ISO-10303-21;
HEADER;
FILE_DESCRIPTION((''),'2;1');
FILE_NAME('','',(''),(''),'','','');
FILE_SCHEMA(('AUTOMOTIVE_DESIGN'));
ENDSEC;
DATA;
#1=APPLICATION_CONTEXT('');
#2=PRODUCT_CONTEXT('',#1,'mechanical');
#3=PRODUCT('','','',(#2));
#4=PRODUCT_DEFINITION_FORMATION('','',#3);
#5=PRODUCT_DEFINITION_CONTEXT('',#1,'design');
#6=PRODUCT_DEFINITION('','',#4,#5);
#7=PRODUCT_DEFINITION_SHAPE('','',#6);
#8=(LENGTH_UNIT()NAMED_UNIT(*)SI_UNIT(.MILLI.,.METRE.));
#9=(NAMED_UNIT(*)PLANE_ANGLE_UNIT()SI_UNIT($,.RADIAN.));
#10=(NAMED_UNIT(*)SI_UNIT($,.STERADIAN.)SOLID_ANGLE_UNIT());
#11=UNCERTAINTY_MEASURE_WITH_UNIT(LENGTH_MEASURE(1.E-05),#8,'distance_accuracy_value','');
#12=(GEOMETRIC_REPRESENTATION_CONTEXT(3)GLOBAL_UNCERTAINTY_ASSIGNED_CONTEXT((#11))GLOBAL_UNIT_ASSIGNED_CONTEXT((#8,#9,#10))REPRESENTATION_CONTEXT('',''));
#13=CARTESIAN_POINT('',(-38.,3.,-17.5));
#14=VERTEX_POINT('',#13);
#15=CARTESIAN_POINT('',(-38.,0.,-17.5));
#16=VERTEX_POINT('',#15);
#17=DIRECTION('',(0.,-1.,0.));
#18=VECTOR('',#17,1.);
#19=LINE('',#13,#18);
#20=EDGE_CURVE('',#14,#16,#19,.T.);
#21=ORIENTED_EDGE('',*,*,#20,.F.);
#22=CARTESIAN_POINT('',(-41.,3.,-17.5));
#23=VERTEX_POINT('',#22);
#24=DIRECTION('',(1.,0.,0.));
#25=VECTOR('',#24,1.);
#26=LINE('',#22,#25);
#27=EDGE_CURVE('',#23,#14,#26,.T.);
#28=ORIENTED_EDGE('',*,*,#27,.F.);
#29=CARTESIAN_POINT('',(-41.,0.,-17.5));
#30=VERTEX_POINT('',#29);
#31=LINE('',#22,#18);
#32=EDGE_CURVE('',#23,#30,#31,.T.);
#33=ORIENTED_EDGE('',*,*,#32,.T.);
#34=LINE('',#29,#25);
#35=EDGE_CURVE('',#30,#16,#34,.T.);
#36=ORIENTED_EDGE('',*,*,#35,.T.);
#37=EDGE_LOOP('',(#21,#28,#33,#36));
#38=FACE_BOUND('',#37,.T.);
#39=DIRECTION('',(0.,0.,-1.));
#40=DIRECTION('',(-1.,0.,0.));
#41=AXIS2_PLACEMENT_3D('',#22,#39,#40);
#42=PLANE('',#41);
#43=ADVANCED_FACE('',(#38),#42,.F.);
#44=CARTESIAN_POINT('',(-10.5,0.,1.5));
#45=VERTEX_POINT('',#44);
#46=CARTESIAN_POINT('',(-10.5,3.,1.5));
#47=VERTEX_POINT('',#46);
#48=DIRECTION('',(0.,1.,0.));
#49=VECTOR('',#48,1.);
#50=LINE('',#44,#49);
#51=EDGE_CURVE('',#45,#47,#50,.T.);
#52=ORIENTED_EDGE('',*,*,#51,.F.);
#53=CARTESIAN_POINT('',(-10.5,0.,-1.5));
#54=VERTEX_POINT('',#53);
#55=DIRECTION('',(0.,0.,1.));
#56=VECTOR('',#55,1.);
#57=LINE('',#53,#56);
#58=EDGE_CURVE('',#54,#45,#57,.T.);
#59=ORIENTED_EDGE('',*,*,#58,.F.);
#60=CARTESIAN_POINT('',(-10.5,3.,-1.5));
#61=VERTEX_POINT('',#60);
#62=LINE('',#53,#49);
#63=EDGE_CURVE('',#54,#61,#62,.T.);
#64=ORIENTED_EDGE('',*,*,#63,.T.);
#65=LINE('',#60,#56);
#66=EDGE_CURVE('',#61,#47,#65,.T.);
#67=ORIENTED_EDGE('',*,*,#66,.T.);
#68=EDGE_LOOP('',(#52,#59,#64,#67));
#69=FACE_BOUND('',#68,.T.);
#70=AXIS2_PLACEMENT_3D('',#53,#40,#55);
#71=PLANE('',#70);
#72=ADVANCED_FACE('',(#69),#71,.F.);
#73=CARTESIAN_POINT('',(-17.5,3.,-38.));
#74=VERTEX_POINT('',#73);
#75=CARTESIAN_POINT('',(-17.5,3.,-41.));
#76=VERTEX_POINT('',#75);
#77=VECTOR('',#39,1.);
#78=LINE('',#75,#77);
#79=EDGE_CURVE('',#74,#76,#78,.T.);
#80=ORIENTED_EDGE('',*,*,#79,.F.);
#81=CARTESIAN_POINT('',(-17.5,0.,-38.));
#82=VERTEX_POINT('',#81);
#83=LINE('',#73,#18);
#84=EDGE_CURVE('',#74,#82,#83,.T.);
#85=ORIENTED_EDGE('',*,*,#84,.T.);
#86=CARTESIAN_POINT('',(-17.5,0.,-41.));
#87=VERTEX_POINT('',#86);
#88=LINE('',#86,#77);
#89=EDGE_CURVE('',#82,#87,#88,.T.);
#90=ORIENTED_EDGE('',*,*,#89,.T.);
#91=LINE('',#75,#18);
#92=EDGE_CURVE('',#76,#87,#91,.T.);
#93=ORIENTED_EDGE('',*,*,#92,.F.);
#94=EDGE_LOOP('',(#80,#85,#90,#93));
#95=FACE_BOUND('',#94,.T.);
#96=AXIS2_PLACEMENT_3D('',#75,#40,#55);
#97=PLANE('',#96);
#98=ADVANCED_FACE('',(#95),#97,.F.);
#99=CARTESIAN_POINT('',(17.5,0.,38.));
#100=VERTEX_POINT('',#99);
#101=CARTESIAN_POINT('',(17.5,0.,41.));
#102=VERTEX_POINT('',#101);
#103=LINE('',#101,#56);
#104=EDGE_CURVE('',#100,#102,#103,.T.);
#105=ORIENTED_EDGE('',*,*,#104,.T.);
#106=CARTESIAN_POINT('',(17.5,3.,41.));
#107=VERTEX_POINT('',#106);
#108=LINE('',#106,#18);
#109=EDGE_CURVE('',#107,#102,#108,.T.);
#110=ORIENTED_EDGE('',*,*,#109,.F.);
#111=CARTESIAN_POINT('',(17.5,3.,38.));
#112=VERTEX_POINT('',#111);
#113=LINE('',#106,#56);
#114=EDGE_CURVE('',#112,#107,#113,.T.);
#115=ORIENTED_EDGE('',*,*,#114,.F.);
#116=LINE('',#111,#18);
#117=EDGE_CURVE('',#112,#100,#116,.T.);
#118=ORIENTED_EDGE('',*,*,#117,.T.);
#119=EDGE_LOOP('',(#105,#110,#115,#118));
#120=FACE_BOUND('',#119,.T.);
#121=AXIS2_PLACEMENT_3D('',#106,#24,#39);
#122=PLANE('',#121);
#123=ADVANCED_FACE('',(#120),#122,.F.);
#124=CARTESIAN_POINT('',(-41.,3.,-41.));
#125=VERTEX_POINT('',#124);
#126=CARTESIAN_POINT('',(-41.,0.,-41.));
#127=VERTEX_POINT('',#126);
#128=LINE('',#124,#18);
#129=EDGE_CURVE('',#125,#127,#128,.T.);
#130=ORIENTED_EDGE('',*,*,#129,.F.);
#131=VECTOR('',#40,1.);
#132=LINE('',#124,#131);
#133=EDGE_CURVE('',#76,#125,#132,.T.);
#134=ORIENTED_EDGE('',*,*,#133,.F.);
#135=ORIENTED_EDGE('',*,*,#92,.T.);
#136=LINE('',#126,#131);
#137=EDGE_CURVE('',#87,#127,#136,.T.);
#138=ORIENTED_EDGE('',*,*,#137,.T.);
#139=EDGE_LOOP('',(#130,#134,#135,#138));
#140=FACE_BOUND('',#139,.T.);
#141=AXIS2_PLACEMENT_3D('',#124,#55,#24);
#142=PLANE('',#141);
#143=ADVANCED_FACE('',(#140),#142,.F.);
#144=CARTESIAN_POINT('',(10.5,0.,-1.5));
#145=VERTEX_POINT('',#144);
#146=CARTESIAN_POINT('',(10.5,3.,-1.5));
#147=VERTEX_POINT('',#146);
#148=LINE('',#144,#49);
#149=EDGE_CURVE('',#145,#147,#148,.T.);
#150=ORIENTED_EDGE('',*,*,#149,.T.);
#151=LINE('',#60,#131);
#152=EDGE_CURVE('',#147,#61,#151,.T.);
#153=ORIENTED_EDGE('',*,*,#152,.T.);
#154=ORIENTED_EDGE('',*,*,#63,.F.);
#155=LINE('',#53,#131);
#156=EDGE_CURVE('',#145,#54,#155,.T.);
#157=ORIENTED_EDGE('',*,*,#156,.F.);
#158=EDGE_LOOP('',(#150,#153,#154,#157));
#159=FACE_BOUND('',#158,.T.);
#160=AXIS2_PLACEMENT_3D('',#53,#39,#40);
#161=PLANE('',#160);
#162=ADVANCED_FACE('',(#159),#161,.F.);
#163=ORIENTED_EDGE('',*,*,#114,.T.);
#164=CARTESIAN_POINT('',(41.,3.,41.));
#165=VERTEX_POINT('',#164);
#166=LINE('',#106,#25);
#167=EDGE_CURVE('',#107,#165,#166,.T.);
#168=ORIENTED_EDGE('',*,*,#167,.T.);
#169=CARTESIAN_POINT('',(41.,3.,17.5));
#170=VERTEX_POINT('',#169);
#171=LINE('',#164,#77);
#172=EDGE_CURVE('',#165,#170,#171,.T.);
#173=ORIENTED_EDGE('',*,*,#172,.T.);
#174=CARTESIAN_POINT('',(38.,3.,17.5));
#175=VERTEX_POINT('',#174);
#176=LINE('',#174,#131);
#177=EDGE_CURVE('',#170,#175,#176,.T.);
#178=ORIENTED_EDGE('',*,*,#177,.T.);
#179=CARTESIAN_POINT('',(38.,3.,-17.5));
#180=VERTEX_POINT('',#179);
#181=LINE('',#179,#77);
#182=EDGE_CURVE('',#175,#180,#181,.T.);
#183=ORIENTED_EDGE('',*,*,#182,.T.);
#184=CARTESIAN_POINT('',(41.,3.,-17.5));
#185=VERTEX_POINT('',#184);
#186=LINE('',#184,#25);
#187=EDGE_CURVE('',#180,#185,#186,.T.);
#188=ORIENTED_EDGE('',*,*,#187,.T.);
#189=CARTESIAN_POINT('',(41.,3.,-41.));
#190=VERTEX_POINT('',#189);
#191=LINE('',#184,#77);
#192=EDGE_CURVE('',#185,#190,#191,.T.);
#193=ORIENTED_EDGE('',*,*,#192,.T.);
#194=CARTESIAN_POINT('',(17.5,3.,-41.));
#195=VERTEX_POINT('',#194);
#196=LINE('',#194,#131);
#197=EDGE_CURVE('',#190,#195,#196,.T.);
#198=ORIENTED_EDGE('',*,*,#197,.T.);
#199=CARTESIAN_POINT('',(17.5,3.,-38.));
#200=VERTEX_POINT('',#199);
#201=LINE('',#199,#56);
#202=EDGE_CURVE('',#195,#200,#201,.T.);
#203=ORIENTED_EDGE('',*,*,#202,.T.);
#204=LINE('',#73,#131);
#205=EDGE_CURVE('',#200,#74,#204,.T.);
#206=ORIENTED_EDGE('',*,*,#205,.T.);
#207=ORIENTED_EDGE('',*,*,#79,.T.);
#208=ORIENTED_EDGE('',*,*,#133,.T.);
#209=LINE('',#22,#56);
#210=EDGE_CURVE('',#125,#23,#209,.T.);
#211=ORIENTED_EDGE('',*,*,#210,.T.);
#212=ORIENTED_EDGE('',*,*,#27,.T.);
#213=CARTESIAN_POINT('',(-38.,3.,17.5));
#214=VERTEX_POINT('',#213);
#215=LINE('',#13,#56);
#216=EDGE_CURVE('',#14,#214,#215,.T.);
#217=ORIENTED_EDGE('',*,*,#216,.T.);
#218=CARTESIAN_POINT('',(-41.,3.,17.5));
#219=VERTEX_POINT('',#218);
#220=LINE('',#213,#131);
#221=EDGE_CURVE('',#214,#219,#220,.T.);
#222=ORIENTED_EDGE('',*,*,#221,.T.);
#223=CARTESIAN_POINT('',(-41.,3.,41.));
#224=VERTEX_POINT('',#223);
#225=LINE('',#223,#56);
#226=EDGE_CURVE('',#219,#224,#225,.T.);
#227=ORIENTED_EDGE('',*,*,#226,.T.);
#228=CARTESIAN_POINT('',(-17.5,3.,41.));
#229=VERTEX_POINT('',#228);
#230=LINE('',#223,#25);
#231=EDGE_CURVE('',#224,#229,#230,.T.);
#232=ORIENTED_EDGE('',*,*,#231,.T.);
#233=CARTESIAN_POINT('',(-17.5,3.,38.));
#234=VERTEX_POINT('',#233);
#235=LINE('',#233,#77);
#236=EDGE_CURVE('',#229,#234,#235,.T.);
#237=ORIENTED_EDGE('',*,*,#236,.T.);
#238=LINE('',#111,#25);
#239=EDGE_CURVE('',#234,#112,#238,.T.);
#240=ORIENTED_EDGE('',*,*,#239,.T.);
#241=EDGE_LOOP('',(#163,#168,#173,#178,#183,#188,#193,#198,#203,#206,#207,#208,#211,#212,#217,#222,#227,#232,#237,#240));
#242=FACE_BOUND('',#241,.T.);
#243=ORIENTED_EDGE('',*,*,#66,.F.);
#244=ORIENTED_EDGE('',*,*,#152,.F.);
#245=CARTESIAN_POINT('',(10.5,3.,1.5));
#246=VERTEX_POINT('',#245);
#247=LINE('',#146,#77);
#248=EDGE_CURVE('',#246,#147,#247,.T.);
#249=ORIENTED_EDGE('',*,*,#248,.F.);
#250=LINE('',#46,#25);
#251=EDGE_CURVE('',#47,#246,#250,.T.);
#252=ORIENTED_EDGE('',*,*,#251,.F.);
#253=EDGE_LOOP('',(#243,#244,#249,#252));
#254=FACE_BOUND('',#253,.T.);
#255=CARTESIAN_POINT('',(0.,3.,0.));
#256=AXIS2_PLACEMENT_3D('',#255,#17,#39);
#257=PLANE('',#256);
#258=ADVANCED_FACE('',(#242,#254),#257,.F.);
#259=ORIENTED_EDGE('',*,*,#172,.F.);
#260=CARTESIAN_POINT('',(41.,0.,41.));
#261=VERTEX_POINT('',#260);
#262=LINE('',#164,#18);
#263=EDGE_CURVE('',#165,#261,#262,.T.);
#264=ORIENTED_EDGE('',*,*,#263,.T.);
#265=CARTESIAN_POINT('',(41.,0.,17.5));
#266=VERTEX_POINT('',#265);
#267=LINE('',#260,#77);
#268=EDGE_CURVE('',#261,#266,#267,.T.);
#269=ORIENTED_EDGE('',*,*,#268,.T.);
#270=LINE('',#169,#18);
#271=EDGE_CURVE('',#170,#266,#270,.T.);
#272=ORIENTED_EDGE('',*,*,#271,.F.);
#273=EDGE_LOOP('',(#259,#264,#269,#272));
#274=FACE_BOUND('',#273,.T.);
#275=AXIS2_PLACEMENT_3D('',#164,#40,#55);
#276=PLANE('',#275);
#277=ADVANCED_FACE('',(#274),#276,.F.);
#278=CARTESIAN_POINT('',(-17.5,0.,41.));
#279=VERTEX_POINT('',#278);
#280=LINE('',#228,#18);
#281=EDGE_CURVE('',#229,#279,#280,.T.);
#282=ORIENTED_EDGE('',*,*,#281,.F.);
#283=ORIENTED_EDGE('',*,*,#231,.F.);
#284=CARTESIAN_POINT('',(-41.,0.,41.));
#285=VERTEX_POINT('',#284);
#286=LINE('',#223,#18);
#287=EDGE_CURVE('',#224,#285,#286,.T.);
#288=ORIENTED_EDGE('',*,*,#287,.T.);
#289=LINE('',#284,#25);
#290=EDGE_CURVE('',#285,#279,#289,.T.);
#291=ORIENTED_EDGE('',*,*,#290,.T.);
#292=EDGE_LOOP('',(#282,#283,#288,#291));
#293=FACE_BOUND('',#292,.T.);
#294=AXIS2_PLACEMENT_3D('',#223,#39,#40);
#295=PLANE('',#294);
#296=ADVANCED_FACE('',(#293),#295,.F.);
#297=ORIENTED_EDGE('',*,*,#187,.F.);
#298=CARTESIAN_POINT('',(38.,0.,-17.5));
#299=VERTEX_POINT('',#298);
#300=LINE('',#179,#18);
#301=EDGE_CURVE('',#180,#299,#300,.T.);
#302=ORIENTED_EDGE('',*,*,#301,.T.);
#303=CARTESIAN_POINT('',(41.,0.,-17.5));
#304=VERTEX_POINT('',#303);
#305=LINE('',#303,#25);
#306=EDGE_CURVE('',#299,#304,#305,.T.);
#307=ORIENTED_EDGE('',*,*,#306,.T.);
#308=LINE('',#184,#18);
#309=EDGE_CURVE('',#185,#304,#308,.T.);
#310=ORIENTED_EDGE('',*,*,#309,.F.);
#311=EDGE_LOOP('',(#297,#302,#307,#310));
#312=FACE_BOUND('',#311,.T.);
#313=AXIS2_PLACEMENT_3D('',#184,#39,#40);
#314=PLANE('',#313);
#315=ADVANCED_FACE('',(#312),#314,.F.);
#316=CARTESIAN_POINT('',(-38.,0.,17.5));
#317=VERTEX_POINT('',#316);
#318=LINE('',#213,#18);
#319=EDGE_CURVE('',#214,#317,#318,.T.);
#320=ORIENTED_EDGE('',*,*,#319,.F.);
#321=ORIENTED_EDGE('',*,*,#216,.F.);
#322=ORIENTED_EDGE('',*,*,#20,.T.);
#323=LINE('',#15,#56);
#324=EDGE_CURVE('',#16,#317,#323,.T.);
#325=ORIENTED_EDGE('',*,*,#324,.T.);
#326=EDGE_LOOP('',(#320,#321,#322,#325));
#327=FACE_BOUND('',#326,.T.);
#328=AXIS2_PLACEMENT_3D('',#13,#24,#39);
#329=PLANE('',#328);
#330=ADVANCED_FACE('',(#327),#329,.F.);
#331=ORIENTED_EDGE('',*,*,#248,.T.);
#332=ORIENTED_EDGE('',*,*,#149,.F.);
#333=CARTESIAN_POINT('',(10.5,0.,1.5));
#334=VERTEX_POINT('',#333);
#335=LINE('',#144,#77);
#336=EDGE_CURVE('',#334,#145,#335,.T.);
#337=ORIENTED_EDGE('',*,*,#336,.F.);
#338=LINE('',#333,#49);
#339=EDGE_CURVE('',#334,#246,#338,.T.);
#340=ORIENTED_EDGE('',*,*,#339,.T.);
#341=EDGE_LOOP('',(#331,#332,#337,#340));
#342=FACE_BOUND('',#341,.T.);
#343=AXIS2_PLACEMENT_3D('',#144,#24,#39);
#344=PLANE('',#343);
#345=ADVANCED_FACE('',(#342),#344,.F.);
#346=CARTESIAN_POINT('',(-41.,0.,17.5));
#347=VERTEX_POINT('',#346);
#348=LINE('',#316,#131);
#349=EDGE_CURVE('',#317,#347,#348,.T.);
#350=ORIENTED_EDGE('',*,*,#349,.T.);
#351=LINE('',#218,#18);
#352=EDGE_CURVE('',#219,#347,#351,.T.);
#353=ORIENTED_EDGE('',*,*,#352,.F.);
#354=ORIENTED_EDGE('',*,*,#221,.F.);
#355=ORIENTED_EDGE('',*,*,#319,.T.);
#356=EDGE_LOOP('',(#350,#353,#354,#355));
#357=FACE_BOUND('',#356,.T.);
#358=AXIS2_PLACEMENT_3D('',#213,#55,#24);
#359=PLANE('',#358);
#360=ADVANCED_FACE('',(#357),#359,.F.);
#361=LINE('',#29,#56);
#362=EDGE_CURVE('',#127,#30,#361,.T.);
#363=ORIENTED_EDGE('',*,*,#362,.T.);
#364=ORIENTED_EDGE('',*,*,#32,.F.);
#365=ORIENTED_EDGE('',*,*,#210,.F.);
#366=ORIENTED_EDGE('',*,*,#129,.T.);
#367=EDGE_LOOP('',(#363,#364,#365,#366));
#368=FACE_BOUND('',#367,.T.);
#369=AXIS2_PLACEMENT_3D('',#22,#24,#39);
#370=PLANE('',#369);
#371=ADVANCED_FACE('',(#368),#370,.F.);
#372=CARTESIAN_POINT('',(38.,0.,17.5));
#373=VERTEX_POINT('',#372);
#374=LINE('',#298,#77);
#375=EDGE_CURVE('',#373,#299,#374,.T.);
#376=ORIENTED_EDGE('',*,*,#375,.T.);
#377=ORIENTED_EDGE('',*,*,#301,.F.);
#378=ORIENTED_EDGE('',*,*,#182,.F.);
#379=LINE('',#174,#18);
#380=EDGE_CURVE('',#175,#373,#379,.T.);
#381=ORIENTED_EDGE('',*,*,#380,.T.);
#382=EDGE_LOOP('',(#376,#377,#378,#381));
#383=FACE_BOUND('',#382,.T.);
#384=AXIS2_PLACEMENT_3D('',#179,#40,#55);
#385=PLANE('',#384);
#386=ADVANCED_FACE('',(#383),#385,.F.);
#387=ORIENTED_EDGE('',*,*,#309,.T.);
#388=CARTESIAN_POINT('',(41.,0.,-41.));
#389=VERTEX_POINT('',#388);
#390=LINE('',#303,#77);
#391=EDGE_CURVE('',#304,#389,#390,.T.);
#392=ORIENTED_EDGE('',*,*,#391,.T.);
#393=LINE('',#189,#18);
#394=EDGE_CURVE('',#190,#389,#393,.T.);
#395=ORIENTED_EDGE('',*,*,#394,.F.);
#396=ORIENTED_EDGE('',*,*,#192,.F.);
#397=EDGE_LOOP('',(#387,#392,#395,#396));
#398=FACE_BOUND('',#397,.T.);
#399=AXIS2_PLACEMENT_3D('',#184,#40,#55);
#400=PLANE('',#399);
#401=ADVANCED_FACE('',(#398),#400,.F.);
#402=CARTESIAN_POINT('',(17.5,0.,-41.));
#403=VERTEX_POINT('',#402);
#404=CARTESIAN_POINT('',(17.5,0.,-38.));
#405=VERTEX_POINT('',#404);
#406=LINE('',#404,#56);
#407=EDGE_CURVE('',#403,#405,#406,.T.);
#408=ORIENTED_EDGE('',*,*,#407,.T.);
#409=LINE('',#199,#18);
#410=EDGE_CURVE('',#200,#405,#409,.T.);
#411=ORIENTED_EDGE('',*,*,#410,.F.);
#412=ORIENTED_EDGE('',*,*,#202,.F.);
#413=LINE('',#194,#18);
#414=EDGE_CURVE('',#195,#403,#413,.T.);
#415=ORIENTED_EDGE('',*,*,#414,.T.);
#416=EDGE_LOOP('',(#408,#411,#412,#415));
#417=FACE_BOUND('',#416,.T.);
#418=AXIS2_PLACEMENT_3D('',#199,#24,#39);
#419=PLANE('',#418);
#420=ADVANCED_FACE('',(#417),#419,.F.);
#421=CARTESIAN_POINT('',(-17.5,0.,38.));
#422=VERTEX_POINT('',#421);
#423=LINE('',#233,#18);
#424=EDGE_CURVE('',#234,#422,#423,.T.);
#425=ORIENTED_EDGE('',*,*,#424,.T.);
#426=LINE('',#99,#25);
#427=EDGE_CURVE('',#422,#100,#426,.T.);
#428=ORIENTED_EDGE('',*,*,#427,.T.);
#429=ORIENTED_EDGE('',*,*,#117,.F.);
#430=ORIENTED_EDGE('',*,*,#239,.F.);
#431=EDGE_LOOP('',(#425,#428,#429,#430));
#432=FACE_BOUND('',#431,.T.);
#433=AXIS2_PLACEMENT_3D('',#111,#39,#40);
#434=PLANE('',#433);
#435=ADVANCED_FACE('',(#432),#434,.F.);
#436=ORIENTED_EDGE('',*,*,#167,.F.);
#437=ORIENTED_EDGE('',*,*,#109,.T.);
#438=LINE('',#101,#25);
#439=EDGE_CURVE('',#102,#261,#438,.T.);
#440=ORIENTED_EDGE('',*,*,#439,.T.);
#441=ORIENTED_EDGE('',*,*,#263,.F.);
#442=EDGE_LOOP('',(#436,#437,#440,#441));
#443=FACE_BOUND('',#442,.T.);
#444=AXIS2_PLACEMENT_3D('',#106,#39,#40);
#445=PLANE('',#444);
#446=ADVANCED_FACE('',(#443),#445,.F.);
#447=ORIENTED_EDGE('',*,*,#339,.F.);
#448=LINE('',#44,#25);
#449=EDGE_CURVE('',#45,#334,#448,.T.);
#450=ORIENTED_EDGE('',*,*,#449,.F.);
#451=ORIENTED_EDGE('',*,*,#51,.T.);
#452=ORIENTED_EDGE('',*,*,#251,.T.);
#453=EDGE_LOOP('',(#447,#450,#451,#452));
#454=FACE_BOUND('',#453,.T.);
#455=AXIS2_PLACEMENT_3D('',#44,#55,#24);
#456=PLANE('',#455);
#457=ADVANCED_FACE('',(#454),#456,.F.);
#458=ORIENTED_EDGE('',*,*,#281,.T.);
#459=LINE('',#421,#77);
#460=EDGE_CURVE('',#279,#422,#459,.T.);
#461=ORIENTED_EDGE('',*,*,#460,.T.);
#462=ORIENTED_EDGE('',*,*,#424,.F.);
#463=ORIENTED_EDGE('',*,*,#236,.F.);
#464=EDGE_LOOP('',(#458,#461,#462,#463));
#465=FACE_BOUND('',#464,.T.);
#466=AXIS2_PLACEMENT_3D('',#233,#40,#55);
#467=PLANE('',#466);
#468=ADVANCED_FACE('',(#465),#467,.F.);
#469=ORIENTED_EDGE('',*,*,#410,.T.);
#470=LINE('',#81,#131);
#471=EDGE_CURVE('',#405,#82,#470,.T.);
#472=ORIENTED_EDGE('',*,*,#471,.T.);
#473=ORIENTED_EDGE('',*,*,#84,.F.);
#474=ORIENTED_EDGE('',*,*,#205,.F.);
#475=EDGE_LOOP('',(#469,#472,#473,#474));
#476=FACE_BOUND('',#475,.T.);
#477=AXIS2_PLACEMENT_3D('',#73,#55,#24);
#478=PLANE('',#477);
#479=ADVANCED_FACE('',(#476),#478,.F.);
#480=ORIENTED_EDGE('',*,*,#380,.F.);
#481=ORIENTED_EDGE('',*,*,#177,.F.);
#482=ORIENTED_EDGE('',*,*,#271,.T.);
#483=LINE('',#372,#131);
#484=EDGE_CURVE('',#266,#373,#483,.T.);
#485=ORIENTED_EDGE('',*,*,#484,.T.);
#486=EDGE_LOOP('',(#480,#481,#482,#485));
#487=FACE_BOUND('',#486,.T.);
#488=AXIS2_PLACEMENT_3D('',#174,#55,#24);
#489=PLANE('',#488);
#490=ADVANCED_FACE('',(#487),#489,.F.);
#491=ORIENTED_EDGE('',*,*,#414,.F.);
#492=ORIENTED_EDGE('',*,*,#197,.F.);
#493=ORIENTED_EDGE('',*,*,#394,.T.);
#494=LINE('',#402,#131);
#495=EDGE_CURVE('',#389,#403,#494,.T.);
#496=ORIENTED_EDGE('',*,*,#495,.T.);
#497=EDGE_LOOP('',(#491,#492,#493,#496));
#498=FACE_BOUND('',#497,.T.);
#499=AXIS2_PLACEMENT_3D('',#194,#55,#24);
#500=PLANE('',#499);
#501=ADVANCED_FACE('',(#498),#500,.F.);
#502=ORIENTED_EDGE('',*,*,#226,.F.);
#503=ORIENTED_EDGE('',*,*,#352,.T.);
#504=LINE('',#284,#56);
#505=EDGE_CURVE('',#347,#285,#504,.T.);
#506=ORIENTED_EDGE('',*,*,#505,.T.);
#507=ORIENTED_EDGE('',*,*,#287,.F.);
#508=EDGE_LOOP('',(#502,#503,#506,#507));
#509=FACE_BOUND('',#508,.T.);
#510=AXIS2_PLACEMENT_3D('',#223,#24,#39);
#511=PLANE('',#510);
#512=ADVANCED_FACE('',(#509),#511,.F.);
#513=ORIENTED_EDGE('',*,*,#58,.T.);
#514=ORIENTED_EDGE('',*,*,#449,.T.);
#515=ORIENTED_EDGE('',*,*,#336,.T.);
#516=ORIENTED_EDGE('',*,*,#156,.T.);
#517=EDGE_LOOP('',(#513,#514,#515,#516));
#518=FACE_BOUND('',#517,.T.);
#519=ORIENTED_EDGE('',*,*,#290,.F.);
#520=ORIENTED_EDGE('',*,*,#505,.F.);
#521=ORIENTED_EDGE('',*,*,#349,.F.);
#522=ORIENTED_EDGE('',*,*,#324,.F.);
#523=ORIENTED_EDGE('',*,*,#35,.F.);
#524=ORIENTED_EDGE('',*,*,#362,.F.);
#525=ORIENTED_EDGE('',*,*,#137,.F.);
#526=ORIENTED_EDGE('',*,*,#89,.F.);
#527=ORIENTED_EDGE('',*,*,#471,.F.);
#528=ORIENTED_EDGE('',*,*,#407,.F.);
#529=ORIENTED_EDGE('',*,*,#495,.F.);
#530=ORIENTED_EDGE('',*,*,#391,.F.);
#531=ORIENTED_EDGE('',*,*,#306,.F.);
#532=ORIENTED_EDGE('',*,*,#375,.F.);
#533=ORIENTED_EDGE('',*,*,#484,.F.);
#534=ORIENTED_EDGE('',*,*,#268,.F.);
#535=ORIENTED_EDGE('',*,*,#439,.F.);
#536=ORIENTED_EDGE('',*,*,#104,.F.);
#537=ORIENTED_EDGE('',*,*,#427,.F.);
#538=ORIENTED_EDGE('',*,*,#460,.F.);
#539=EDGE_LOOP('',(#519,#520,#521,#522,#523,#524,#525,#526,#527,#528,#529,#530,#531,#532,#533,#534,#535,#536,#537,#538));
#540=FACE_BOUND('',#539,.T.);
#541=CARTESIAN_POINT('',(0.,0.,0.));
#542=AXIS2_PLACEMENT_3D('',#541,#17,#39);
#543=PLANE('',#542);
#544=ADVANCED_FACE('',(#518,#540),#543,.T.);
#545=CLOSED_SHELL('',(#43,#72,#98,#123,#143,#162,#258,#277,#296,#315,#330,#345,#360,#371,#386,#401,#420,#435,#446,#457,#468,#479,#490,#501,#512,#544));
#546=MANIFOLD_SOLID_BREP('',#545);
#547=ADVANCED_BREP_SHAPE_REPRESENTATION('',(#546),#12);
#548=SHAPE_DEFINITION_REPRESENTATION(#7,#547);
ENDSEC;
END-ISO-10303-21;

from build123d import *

# Parameters (mm, degrees)
BOSS_EXTRUDE1_DEPTH = 3
SKETCH2_W           = 21
SKETCH2_H           = 3
CUT_EXTRUDE1_DEPTH  = 3


with BuildPart() as part:
    # Sketch1 → Boss-Extrude1 (new body)
    with BuildSketch(Plane(origin=(0, 0, 0), x_dir=(1, 0, 0), z_dir=(0, 1, 0))):
        Polygon((-41, -41), (-17.5, -41), (-17.5, -38), (17.5, -38), (17.5, -41), (41, -41), (41, -17.5), (38, -17.5), (38, 17.5), (41, 17.5), (41, 41), (17.5, 41), (17.5, 38), (-17.5, 38), (-17.5, 41), (-41, 41), (-41, 17.5), (-38, 17.5), (-38, -17.5), (-41, -17.5), align=None)
    extrude(amount=BOSS_EXTRUDE1_DEPTH)

    # Sketch2 → Cut-Extrude1 (cut)
    with BuildSketch(Plane(origin=(0, 3, 0), x_dir=(1, 0, 0), z_dir=(0, 1, 0))):
        Rectangle(SKETCH2_W, SKETCH2_H)
    extrude(amount=-CUT_EXTRUDE1_DEPTH, mode=Mode.SUBTRACT)


solid = part.part
